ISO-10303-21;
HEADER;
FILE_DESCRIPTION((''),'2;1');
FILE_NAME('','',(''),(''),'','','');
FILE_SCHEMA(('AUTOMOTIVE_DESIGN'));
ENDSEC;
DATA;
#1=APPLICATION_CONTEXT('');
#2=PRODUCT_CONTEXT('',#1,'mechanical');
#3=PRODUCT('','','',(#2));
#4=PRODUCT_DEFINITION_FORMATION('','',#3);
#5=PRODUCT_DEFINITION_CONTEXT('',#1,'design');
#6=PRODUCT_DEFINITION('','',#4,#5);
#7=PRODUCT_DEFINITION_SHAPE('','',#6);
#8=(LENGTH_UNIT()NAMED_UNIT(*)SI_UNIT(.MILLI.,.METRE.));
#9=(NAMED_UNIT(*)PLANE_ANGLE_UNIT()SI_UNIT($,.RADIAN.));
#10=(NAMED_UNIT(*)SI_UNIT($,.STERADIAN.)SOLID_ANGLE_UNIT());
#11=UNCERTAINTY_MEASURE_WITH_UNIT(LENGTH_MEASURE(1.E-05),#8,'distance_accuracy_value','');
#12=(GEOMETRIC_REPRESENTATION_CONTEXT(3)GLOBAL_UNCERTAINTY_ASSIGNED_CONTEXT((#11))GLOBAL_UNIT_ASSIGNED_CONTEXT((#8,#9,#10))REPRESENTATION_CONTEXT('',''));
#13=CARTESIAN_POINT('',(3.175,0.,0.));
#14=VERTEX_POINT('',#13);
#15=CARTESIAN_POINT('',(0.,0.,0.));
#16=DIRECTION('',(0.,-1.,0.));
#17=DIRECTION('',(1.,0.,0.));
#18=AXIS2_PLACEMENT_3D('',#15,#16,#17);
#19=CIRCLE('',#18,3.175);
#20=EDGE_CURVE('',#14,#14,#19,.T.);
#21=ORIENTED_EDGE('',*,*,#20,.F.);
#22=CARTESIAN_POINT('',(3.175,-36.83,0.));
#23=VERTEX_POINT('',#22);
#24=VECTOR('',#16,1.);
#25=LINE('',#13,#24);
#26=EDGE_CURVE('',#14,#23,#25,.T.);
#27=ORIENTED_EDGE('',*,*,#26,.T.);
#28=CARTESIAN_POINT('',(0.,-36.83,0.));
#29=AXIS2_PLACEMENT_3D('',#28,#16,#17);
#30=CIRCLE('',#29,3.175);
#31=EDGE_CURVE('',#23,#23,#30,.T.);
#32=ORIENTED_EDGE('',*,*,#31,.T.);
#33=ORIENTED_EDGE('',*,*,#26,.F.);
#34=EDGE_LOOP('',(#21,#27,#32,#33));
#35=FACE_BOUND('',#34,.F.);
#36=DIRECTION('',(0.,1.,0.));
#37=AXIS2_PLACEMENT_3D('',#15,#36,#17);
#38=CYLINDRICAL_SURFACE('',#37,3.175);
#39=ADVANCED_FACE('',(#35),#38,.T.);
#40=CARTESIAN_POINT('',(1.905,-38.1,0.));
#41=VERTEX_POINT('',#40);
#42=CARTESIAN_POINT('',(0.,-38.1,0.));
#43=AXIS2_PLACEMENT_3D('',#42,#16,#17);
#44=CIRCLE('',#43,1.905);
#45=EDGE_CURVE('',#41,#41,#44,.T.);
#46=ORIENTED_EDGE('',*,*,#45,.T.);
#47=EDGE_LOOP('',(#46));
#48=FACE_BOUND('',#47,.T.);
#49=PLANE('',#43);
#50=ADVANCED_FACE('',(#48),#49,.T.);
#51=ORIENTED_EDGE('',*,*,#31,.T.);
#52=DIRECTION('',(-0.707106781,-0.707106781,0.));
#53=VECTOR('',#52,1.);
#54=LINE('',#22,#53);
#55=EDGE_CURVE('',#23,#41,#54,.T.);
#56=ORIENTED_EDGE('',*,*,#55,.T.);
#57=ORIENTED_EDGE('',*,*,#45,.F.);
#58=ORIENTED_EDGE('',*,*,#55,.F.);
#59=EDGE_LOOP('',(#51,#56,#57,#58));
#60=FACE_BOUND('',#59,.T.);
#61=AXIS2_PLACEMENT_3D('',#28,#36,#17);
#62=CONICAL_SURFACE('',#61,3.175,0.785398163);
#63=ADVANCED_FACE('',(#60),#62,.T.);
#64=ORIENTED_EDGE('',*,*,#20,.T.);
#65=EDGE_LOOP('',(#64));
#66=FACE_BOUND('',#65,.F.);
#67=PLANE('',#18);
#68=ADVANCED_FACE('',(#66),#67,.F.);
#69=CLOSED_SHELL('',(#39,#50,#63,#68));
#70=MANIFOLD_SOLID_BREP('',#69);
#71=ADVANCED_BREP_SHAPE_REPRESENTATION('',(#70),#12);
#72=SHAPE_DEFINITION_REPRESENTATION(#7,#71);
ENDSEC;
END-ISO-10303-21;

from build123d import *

# Parameters (mm, degrees)
F0_R     = 3.175
F1_DEPTH = 38.1
F2_SIZE  = 1.27


with BuildPart() as f1:
    # F0 (on Front) → F1 (new body)
    with BuildSketch(Plane.XZ):
        Circle(F0_R)
    extrude(amount=F1_DEPTH)

    # F2
    f2_edges = [f1.edges().sort_by_distance(p)[0] for p in [
        (-3.175, -38.1, 0),
    ]]
    chamfer(f2_edges, length=F2_SIZE)


solid = f1.part
